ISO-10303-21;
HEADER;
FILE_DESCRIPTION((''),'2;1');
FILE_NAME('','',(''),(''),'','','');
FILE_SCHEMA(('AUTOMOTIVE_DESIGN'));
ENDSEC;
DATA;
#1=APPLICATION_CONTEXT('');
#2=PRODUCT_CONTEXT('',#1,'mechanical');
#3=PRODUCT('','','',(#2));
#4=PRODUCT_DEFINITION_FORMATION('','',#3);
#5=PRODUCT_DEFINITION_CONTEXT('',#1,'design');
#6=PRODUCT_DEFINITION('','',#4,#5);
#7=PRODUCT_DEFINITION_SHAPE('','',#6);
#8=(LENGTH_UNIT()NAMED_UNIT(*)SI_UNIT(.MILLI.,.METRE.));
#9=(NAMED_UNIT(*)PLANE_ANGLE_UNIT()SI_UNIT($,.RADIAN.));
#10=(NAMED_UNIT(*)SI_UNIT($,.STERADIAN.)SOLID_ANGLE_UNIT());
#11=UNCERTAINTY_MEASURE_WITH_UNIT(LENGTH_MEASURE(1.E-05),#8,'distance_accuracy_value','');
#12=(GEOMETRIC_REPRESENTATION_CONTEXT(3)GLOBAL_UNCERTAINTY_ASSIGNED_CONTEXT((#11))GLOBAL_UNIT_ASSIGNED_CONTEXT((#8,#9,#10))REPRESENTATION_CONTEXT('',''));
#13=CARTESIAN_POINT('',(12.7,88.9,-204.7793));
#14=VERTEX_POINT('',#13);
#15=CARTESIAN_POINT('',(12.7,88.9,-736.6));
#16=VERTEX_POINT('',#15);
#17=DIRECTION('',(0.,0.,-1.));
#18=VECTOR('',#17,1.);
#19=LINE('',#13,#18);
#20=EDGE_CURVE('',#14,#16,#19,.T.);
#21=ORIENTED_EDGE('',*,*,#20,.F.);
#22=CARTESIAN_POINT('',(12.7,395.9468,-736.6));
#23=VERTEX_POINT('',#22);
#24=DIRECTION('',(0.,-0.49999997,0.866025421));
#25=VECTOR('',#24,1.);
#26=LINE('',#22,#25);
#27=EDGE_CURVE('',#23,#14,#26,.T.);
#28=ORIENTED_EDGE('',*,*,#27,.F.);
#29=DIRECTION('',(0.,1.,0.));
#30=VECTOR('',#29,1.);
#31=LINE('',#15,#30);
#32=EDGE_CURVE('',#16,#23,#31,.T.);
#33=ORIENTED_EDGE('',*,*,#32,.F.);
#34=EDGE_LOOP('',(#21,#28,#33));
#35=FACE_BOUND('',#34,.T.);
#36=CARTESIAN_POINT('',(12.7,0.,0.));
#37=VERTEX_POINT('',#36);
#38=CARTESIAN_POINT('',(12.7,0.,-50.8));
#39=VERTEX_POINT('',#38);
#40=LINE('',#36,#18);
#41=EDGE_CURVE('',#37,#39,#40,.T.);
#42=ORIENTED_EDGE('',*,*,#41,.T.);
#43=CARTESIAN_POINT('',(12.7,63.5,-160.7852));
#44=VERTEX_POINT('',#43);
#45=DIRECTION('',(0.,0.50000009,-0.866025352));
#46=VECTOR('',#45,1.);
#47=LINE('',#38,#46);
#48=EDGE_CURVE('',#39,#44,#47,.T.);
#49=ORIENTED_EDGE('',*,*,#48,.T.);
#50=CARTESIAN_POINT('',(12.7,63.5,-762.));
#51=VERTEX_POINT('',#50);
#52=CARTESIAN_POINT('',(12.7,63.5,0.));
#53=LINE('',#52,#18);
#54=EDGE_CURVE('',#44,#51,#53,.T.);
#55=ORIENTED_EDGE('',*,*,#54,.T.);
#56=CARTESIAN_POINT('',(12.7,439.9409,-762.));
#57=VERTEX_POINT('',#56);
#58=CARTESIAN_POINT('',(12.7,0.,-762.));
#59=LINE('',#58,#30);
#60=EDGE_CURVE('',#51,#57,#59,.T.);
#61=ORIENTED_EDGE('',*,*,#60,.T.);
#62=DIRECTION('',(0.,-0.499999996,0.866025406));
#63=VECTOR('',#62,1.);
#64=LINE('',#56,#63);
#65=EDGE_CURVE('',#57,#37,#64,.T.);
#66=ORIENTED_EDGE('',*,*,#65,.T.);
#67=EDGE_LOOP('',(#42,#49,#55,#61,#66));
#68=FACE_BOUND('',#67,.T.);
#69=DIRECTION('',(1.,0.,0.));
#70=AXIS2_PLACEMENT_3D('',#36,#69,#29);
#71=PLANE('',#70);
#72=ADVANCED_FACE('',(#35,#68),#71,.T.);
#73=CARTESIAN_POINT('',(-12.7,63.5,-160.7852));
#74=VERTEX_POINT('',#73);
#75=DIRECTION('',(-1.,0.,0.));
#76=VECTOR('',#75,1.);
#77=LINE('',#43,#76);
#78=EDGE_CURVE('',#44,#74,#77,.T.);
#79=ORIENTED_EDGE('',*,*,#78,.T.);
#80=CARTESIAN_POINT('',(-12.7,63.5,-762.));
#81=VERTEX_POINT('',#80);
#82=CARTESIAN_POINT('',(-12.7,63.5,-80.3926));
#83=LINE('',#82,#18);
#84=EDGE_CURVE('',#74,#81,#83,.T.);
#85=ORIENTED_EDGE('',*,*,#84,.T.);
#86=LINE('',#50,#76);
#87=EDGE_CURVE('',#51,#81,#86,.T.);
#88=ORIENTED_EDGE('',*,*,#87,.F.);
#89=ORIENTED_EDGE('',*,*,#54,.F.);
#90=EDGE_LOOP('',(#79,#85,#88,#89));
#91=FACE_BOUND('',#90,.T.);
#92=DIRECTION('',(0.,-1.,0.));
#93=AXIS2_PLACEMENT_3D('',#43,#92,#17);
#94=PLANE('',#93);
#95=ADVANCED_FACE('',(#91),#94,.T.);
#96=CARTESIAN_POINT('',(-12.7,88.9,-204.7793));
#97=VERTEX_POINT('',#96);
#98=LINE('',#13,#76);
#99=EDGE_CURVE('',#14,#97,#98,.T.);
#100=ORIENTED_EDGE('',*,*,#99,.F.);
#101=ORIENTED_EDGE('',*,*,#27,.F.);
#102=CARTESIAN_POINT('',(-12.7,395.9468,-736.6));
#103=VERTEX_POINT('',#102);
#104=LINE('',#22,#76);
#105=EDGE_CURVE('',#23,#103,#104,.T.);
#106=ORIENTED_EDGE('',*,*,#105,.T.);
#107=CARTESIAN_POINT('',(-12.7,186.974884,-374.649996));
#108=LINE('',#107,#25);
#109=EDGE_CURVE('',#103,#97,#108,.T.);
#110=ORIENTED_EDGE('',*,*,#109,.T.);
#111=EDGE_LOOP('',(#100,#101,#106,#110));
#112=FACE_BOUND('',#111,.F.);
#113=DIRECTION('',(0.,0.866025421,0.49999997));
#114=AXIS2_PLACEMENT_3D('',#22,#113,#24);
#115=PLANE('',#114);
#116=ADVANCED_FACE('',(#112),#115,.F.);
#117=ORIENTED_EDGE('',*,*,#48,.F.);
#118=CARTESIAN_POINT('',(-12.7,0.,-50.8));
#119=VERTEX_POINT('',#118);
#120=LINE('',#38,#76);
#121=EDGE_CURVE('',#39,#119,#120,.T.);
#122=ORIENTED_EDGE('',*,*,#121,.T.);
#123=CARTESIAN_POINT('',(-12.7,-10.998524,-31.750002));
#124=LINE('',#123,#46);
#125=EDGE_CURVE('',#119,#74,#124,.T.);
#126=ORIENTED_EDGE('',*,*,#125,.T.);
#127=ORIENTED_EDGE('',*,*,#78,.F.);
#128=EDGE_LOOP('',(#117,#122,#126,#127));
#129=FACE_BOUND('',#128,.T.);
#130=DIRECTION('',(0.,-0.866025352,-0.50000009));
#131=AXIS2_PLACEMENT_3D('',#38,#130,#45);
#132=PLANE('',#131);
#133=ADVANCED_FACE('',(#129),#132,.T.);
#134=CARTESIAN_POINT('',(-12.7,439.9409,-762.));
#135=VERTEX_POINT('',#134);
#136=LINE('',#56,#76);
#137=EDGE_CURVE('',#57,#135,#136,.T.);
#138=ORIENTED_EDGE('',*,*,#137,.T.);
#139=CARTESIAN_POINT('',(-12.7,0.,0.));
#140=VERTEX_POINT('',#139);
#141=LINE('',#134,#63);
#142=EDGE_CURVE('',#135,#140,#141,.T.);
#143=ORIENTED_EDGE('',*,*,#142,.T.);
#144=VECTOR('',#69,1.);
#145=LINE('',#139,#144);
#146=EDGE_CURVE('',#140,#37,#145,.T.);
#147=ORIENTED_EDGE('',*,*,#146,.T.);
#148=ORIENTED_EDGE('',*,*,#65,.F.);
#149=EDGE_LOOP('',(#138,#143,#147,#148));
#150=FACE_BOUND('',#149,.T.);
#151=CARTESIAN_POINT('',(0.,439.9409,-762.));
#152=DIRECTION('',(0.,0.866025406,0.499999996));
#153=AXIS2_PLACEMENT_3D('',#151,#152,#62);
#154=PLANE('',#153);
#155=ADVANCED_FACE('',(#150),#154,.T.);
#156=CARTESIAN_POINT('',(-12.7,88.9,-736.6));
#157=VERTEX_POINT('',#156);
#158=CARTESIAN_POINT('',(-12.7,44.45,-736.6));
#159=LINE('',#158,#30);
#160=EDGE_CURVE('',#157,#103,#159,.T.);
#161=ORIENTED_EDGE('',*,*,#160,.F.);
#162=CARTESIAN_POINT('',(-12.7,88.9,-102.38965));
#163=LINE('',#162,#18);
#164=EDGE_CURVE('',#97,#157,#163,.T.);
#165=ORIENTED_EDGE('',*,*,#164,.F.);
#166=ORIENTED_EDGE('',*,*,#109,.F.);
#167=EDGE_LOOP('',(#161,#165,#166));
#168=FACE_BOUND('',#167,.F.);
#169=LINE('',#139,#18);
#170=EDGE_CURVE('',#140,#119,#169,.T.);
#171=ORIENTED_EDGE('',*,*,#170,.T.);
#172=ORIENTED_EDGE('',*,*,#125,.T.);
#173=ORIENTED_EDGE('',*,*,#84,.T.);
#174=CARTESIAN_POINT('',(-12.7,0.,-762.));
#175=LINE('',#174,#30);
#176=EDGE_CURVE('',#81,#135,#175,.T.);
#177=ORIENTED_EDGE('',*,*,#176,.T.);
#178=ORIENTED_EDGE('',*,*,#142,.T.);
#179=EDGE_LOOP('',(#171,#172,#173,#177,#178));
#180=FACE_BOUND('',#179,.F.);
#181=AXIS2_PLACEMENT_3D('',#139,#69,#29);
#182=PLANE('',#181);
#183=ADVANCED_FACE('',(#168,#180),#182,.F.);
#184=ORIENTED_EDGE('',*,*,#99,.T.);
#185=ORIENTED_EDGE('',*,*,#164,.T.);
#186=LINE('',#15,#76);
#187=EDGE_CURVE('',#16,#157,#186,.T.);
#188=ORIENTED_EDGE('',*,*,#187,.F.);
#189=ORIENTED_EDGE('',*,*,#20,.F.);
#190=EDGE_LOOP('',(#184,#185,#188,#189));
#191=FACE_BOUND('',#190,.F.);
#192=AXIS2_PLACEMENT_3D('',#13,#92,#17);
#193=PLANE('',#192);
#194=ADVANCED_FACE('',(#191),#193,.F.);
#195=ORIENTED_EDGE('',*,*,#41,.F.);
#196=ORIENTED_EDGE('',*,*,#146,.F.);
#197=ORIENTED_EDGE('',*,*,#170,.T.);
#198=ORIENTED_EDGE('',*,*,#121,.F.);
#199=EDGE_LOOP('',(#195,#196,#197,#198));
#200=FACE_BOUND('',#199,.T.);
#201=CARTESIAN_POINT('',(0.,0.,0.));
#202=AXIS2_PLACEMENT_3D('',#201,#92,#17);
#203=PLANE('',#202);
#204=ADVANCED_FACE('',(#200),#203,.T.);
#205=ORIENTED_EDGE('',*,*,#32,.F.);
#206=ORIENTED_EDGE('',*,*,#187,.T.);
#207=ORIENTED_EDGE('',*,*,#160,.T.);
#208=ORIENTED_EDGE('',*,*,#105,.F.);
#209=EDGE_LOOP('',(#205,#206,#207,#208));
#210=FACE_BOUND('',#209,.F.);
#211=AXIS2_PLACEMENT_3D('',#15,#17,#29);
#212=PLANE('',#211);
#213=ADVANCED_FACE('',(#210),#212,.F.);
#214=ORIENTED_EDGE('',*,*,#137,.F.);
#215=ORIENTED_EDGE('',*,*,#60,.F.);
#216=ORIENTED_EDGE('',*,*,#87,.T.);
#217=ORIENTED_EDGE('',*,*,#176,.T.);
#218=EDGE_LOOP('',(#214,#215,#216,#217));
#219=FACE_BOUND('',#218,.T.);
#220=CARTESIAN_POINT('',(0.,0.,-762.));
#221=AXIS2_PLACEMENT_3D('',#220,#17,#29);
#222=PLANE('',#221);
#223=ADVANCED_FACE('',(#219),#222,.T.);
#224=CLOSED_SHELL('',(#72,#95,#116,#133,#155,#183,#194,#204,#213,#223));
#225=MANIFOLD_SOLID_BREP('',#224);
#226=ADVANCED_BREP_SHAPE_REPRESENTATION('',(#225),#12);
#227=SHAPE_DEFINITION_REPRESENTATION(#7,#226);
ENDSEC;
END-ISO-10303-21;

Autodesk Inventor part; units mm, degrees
ref_plane "YZ Plane" through (0, 0, 0) normal (1, 0, 0) x (0, 1, 0)
ref_plane "XZ Plane" through (0, 0, 0) normal (0, 1, 0) x (-1, 0, 0)
sketch "Sketch1" plane through (0, 0, 0) normal (1, 0, 0) x (0, 1, 0)
  line L0 (0, 0) -> (0, -762)
  line L1 (0, -762) -> (439.9409, -762)
  line L2 (439.9409, -762) -> (0, 0)
  line L3 (25.4, -129.7892) -> (25.4, -736.6)
  line L4 (25.4, -736.6) -> (361.7607, -736.6)
  line L5 (361.7607, -736.6) -> (25.4, -129.7892)
  dimension "d0" = 762
  dimension "d5" = 30
  dimension "d6" = 1
  dimension "d7" = 25.4
  dimension "d8" = 25.4
extrude "Extrusion1" add sketch "Sketch1" along normal mid plane 25.4 contours L2 L1 L0 | L5 L4 L3
ref_plane "Work Plane1" through (-12.7, 65.9911, 38.1) normal (0, 0.866, 0.5) x (1, 0, 0)
sketch "Sketch3" plane through (12.7, 0, 0) normal (1, 0, 0) x (0, 0, -1)
  line L0 (0, 63.5) -> (873.76, 63.5) projected
  line L1 (204.7793, 88.9) -> (736.6, 88.9)
  line L2 (736.6, 88.9) -> (736.6, 395.9468)
  line L3 (736.6, 395.9468) -> (204.7793, 88.9)
  line L4 (762, 439.9409) -> (0, 0) projected
  line L5 (762, 0) -> (762, 439.9409) projected
  line L6 (0, 0) -> (762, 0) projected
  line L7 (50.8, 0) -> (160.7852, 63.5)
  line L8 (160.7852, 63.5) -> (762, 63.5)
  line L9 (762, 0) -> (50.8, 0)
  dimension "d14" = 25.4
  dimension "d15" = 25.4
  dimension "d21" = 25.4
extrude "Extrusion4" cut sketch "Sketch3" against normal through all contours L0 L5 L6 L7 | L3 L2 L1
properties part number "ballSupport" material "Aluminum 6061, Welded"
